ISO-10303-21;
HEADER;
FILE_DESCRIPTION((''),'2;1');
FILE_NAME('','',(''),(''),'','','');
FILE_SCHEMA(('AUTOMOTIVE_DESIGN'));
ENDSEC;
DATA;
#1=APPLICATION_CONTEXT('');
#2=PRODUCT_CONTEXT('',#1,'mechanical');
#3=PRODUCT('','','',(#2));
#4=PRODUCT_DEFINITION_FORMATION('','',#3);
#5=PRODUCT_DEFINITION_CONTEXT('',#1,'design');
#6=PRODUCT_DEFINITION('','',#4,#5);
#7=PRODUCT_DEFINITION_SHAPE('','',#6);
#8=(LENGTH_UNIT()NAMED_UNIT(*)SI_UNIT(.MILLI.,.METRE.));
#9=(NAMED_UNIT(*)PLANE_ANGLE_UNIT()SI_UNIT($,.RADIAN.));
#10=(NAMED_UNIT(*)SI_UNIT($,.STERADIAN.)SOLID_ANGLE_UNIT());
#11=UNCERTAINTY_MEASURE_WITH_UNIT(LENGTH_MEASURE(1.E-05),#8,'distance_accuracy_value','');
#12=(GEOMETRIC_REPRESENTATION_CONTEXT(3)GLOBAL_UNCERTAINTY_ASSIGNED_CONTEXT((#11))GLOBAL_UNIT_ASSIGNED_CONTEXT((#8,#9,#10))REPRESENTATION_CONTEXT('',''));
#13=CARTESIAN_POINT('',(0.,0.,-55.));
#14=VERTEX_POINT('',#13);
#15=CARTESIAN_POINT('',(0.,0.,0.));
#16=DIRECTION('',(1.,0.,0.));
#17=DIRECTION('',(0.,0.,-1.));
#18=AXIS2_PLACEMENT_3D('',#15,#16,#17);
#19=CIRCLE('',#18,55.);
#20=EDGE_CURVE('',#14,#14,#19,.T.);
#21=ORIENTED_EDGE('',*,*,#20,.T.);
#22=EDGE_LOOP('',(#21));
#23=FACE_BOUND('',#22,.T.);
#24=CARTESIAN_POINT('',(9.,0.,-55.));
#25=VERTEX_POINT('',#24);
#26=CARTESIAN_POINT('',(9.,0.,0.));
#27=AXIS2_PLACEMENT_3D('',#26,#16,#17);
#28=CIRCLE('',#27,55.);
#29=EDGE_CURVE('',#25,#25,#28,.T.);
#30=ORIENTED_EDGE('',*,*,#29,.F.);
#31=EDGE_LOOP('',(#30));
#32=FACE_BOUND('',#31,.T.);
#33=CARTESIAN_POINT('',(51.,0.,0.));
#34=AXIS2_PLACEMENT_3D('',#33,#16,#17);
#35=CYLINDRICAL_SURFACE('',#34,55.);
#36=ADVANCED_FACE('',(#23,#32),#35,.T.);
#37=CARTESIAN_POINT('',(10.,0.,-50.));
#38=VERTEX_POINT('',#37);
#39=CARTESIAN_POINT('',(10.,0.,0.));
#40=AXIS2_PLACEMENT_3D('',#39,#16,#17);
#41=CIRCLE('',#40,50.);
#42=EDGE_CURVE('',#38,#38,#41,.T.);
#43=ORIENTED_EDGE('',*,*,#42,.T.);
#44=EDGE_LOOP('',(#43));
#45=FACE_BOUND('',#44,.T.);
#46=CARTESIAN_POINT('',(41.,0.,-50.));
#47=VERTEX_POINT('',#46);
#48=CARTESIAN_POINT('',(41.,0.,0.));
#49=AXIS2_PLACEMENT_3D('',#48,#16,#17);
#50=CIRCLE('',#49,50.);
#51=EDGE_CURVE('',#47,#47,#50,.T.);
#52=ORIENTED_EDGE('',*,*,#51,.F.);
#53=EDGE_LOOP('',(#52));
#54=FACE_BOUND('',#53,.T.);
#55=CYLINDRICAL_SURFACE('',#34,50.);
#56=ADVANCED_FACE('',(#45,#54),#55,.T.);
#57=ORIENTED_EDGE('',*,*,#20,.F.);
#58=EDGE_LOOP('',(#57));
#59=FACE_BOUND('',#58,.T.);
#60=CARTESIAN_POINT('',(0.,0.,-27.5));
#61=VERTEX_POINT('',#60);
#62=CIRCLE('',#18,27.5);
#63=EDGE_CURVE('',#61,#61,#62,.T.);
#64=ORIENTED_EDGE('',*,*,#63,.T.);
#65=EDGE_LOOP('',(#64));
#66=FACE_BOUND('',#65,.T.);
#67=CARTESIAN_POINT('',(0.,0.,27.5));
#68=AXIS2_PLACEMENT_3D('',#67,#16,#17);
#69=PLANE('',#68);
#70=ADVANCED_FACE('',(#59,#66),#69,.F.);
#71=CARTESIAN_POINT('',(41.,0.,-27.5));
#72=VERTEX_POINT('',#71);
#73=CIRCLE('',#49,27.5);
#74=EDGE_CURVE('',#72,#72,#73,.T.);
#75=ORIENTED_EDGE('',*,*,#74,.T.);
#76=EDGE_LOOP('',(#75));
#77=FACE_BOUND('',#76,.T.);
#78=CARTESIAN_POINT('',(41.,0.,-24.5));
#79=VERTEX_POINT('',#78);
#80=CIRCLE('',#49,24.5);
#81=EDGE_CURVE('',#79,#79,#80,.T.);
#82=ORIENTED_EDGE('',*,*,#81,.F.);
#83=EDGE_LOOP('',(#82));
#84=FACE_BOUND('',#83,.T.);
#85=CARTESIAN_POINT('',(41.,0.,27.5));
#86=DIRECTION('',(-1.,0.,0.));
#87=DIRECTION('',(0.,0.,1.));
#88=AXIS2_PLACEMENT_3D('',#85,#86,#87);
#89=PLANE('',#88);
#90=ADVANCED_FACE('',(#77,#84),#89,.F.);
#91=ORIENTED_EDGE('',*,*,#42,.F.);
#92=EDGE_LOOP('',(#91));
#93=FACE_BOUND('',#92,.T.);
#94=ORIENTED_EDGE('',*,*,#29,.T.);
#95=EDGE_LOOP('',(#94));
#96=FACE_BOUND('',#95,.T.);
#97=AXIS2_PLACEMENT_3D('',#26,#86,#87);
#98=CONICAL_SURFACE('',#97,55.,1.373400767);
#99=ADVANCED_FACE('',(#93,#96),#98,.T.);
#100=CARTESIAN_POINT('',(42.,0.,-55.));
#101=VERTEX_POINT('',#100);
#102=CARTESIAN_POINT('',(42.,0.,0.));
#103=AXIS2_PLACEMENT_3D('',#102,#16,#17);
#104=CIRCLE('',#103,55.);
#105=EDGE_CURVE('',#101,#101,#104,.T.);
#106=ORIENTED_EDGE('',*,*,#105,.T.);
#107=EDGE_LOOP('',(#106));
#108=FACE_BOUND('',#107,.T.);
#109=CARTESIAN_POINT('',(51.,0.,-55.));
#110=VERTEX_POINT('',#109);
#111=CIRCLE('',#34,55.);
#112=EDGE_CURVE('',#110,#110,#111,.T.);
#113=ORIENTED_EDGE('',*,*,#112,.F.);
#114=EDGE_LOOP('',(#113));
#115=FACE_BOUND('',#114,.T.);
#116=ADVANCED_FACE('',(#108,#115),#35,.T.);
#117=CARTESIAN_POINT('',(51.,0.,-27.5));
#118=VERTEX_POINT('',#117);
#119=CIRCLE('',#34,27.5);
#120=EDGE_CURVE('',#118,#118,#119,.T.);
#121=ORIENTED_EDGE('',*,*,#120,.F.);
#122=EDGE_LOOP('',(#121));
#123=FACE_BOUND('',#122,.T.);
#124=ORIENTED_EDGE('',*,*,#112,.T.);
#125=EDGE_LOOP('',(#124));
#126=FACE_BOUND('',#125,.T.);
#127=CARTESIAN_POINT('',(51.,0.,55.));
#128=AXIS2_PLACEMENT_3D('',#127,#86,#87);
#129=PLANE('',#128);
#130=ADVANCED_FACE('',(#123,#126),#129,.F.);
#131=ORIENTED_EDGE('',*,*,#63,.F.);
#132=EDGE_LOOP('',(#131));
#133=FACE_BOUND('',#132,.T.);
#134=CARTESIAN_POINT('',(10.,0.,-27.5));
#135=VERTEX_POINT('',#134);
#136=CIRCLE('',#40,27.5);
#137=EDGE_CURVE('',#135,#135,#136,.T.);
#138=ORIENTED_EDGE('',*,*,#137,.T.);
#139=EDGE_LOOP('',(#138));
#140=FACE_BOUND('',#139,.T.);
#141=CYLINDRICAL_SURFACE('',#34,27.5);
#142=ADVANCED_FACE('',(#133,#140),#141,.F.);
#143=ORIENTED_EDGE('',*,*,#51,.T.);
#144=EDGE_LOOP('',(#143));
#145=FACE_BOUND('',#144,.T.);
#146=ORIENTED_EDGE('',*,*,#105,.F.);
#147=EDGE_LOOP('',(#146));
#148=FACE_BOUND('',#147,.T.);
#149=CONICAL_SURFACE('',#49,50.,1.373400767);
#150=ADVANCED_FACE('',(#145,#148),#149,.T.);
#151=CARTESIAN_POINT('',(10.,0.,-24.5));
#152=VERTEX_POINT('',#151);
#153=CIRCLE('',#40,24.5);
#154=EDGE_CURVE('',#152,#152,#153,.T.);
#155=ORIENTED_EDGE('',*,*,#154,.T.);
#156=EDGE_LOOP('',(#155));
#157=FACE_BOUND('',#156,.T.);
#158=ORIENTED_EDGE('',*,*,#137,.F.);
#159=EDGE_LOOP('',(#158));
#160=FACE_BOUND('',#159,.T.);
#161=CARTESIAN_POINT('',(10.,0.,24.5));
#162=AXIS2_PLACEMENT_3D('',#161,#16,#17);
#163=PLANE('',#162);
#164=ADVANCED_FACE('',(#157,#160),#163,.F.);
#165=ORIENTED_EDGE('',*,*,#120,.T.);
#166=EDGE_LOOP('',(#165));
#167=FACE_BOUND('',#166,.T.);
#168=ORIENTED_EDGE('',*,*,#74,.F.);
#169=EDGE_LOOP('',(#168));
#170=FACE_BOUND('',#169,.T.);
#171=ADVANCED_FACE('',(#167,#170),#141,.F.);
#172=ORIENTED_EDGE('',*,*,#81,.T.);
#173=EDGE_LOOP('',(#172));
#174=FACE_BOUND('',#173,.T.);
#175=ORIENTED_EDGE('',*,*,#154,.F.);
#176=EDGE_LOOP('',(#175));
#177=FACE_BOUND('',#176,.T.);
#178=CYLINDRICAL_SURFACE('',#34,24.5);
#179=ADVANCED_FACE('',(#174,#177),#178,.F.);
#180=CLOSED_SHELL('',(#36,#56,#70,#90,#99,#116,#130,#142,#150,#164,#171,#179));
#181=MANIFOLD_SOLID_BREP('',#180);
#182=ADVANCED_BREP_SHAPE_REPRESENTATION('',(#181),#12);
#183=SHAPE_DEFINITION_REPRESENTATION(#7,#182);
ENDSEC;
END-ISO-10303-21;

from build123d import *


with BuildPart() as part:
    # 草图1 → 旋转1 (revolve)
    with BuildSketch(Plane(origin=(0, 0, 6531.222724472), x_dir=(-1, 0, 0), z_dir=(0, 1, 0))):
        Polygon((-9, -6476.222724472), (-10, -6481.222724472), (-41, -6481.222724472), (-42, -6476.222724472), (-51, -6476.222724472), (-51, -6503.722724472), (-41, -6503.722724472), (-41, -6506.722724472), (-10, -6506.722724472), (-10, -6503.722724472), (0, -6503.722724472), (0, -6476.222724472), align=None)
    revolve(axis=Axis((51, 0, 0), (-1, 0, 0)))


solid = part.part
